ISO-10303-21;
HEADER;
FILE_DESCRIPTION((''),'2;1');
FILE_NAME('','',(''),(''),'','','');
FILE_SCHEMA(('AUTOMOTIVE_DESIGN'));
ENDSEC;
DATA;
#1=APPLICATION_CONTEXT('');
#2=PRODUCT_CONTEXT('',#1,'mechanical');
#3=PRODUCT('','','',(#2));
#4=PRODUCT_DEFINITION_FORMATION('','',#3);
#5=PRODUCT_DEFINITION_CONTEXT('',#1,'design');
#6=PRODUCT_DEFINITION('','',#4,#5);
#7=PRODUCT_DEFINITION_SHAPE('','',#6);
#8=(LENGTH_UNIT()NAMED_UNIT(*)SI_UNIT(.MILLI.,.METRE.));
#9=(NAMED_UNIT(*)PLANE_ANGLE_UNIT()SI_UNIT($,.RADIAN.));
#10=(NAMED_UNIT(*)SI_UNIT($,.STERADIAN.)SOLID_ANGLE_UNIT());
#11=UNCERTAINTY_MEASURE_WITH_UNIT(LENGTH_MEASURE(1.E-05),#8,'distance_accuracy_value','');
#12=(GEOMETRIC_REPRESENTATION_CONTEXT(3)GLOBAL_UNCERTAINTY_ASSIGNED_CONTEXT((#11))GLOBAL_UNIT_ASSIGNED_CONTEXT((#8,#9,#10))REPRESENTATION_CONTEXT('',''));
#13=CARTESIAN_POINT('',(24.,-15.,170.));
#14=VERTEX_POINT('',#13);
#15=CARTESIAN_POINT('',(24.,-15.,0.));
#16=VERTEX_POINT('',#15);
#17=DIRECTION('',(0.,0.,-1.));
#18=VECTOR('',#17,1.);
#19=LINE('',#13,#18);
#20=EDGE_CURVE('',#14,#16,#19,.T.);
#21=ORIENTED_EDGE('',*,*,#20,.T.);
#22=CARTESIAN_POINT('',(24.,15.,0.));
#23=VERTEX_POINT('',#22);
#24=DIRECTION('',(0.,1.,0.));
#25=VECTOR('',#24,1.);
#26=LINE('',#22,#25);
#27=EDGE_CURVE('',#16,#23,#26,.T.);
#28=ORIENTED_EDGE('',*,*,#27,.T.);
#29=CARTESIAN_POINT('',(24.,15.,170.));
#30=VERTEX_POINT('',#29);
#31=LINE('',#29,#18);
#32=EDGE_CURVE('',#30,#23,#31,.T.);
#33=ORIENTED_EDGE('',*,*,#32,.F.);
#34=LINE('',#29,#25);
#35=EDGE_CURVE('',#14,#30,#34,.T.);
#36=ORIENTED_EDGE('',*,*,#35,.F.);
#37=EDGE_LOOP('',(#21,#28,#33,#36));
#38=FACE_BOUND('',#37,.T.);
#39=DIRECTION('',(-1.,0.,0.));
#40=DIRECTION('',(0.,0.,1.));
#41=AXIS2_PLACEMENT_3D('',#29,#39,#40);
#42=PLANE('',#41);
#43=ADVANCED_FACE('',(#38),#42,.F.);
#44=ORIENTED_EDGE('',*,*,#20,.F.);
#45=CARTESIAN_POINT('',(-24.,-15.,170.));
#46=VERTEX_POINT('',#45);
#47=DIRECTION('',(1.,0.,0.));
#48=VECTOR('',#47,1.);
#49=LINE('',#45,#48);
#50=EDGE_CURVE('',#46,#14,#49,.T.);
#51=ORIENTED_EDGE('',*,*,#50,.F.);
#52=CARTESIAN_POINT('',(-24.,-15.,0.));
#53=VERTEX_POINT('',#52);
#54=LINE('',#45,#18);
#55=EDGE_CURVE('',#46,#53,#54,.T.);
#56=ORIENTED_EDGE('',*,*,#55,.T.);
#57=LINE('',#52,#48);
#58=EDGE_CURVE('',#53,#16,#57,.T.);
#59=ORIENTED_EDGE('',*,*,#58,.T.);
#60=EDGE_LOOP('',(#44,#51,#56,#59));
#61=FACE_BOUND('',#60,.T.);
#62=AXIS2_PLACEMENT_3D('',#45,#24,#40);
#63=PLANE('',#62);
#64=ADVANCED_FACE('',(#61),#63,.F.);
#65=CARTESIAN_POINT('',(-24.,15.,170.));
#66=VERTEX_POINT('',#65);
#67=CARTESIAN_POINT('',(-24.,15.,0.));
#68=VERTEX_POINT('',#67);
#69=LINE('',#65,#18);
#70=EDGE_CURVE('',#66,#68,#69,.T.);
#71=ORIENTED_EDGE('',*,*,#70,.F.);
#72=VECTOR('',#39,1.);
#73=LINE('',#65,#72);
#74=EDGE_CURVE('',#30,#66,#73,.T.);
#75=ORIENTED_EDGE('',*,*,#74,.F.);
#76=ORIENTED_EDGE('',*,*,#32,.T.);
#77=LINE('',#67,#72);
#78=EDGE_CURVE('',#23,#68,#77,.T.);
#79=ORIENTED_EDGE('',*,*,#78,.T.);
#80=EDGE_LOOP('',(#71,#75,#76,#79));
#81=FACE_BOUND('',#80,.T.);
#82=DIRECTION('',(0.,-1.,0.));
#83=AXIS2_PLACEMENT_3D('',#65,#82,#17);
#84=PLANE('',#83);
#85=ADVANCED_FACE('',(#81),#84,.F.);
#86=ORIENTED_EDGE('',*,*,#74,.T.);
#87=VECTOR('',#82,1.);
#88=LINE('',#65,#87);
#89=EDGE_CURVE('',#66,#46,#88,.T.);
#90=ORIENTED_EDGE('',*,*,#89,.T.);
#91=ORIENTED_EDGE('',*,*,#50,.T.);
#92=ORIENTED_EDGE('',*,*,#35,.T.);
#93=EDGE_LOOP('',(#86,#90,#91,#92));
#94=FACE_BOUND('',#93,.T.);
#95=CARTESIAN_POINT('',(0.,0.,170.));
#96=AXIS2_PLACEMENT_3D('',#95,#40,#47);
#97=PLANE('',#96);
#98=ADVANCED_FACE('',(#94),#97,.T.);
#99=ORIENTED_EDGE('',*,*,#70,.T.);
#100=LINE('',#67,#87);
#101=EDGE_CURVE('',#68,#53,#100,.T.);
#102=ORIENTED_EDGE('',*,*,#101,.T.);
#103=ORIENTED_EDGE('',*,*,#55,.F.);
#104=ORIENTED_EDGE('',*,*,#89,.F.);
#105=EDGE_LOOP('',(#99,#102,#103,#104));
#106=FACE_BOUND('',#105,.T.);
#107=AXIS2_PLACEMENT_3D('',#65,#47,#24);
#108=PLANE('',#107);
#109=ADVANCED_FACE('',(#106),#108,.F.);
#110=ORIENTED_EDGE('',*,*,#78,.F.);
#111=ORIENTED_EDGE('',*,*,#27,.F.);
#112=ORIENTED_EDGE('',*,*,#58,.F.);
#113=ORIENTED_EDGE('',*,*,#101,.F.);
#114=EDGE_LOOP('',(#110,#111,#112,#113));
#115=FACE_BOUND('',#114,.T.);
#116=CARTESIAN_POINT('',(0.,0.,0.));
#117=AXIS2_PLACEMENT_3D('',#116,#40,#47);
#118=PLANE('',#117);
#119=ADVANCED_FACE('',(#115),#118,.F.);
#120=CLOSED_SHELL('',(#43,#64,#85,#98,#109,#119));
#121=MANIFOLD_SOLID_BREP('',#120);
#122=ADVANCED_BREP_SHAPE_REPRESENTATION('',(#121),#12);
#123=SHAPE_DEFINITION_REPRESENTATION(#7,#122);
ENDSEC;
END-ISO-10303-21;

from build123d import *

# Parameters (mm, degrees)
SKETCH_1_W      = 48
SKETCH_1_H      = 30
EXTRUDE_1_DEPTH = 170


with BuildPart() as part:
    # 草图1 → 凸台-拉伸1 (new body)
    with BuildSketch(Plane.XY):
        Rectangle(SKETCH_1_W, SKETCH_1_H)
    extrude(amount=EXTRUDE_1_DEPTH)


solid = part.part
